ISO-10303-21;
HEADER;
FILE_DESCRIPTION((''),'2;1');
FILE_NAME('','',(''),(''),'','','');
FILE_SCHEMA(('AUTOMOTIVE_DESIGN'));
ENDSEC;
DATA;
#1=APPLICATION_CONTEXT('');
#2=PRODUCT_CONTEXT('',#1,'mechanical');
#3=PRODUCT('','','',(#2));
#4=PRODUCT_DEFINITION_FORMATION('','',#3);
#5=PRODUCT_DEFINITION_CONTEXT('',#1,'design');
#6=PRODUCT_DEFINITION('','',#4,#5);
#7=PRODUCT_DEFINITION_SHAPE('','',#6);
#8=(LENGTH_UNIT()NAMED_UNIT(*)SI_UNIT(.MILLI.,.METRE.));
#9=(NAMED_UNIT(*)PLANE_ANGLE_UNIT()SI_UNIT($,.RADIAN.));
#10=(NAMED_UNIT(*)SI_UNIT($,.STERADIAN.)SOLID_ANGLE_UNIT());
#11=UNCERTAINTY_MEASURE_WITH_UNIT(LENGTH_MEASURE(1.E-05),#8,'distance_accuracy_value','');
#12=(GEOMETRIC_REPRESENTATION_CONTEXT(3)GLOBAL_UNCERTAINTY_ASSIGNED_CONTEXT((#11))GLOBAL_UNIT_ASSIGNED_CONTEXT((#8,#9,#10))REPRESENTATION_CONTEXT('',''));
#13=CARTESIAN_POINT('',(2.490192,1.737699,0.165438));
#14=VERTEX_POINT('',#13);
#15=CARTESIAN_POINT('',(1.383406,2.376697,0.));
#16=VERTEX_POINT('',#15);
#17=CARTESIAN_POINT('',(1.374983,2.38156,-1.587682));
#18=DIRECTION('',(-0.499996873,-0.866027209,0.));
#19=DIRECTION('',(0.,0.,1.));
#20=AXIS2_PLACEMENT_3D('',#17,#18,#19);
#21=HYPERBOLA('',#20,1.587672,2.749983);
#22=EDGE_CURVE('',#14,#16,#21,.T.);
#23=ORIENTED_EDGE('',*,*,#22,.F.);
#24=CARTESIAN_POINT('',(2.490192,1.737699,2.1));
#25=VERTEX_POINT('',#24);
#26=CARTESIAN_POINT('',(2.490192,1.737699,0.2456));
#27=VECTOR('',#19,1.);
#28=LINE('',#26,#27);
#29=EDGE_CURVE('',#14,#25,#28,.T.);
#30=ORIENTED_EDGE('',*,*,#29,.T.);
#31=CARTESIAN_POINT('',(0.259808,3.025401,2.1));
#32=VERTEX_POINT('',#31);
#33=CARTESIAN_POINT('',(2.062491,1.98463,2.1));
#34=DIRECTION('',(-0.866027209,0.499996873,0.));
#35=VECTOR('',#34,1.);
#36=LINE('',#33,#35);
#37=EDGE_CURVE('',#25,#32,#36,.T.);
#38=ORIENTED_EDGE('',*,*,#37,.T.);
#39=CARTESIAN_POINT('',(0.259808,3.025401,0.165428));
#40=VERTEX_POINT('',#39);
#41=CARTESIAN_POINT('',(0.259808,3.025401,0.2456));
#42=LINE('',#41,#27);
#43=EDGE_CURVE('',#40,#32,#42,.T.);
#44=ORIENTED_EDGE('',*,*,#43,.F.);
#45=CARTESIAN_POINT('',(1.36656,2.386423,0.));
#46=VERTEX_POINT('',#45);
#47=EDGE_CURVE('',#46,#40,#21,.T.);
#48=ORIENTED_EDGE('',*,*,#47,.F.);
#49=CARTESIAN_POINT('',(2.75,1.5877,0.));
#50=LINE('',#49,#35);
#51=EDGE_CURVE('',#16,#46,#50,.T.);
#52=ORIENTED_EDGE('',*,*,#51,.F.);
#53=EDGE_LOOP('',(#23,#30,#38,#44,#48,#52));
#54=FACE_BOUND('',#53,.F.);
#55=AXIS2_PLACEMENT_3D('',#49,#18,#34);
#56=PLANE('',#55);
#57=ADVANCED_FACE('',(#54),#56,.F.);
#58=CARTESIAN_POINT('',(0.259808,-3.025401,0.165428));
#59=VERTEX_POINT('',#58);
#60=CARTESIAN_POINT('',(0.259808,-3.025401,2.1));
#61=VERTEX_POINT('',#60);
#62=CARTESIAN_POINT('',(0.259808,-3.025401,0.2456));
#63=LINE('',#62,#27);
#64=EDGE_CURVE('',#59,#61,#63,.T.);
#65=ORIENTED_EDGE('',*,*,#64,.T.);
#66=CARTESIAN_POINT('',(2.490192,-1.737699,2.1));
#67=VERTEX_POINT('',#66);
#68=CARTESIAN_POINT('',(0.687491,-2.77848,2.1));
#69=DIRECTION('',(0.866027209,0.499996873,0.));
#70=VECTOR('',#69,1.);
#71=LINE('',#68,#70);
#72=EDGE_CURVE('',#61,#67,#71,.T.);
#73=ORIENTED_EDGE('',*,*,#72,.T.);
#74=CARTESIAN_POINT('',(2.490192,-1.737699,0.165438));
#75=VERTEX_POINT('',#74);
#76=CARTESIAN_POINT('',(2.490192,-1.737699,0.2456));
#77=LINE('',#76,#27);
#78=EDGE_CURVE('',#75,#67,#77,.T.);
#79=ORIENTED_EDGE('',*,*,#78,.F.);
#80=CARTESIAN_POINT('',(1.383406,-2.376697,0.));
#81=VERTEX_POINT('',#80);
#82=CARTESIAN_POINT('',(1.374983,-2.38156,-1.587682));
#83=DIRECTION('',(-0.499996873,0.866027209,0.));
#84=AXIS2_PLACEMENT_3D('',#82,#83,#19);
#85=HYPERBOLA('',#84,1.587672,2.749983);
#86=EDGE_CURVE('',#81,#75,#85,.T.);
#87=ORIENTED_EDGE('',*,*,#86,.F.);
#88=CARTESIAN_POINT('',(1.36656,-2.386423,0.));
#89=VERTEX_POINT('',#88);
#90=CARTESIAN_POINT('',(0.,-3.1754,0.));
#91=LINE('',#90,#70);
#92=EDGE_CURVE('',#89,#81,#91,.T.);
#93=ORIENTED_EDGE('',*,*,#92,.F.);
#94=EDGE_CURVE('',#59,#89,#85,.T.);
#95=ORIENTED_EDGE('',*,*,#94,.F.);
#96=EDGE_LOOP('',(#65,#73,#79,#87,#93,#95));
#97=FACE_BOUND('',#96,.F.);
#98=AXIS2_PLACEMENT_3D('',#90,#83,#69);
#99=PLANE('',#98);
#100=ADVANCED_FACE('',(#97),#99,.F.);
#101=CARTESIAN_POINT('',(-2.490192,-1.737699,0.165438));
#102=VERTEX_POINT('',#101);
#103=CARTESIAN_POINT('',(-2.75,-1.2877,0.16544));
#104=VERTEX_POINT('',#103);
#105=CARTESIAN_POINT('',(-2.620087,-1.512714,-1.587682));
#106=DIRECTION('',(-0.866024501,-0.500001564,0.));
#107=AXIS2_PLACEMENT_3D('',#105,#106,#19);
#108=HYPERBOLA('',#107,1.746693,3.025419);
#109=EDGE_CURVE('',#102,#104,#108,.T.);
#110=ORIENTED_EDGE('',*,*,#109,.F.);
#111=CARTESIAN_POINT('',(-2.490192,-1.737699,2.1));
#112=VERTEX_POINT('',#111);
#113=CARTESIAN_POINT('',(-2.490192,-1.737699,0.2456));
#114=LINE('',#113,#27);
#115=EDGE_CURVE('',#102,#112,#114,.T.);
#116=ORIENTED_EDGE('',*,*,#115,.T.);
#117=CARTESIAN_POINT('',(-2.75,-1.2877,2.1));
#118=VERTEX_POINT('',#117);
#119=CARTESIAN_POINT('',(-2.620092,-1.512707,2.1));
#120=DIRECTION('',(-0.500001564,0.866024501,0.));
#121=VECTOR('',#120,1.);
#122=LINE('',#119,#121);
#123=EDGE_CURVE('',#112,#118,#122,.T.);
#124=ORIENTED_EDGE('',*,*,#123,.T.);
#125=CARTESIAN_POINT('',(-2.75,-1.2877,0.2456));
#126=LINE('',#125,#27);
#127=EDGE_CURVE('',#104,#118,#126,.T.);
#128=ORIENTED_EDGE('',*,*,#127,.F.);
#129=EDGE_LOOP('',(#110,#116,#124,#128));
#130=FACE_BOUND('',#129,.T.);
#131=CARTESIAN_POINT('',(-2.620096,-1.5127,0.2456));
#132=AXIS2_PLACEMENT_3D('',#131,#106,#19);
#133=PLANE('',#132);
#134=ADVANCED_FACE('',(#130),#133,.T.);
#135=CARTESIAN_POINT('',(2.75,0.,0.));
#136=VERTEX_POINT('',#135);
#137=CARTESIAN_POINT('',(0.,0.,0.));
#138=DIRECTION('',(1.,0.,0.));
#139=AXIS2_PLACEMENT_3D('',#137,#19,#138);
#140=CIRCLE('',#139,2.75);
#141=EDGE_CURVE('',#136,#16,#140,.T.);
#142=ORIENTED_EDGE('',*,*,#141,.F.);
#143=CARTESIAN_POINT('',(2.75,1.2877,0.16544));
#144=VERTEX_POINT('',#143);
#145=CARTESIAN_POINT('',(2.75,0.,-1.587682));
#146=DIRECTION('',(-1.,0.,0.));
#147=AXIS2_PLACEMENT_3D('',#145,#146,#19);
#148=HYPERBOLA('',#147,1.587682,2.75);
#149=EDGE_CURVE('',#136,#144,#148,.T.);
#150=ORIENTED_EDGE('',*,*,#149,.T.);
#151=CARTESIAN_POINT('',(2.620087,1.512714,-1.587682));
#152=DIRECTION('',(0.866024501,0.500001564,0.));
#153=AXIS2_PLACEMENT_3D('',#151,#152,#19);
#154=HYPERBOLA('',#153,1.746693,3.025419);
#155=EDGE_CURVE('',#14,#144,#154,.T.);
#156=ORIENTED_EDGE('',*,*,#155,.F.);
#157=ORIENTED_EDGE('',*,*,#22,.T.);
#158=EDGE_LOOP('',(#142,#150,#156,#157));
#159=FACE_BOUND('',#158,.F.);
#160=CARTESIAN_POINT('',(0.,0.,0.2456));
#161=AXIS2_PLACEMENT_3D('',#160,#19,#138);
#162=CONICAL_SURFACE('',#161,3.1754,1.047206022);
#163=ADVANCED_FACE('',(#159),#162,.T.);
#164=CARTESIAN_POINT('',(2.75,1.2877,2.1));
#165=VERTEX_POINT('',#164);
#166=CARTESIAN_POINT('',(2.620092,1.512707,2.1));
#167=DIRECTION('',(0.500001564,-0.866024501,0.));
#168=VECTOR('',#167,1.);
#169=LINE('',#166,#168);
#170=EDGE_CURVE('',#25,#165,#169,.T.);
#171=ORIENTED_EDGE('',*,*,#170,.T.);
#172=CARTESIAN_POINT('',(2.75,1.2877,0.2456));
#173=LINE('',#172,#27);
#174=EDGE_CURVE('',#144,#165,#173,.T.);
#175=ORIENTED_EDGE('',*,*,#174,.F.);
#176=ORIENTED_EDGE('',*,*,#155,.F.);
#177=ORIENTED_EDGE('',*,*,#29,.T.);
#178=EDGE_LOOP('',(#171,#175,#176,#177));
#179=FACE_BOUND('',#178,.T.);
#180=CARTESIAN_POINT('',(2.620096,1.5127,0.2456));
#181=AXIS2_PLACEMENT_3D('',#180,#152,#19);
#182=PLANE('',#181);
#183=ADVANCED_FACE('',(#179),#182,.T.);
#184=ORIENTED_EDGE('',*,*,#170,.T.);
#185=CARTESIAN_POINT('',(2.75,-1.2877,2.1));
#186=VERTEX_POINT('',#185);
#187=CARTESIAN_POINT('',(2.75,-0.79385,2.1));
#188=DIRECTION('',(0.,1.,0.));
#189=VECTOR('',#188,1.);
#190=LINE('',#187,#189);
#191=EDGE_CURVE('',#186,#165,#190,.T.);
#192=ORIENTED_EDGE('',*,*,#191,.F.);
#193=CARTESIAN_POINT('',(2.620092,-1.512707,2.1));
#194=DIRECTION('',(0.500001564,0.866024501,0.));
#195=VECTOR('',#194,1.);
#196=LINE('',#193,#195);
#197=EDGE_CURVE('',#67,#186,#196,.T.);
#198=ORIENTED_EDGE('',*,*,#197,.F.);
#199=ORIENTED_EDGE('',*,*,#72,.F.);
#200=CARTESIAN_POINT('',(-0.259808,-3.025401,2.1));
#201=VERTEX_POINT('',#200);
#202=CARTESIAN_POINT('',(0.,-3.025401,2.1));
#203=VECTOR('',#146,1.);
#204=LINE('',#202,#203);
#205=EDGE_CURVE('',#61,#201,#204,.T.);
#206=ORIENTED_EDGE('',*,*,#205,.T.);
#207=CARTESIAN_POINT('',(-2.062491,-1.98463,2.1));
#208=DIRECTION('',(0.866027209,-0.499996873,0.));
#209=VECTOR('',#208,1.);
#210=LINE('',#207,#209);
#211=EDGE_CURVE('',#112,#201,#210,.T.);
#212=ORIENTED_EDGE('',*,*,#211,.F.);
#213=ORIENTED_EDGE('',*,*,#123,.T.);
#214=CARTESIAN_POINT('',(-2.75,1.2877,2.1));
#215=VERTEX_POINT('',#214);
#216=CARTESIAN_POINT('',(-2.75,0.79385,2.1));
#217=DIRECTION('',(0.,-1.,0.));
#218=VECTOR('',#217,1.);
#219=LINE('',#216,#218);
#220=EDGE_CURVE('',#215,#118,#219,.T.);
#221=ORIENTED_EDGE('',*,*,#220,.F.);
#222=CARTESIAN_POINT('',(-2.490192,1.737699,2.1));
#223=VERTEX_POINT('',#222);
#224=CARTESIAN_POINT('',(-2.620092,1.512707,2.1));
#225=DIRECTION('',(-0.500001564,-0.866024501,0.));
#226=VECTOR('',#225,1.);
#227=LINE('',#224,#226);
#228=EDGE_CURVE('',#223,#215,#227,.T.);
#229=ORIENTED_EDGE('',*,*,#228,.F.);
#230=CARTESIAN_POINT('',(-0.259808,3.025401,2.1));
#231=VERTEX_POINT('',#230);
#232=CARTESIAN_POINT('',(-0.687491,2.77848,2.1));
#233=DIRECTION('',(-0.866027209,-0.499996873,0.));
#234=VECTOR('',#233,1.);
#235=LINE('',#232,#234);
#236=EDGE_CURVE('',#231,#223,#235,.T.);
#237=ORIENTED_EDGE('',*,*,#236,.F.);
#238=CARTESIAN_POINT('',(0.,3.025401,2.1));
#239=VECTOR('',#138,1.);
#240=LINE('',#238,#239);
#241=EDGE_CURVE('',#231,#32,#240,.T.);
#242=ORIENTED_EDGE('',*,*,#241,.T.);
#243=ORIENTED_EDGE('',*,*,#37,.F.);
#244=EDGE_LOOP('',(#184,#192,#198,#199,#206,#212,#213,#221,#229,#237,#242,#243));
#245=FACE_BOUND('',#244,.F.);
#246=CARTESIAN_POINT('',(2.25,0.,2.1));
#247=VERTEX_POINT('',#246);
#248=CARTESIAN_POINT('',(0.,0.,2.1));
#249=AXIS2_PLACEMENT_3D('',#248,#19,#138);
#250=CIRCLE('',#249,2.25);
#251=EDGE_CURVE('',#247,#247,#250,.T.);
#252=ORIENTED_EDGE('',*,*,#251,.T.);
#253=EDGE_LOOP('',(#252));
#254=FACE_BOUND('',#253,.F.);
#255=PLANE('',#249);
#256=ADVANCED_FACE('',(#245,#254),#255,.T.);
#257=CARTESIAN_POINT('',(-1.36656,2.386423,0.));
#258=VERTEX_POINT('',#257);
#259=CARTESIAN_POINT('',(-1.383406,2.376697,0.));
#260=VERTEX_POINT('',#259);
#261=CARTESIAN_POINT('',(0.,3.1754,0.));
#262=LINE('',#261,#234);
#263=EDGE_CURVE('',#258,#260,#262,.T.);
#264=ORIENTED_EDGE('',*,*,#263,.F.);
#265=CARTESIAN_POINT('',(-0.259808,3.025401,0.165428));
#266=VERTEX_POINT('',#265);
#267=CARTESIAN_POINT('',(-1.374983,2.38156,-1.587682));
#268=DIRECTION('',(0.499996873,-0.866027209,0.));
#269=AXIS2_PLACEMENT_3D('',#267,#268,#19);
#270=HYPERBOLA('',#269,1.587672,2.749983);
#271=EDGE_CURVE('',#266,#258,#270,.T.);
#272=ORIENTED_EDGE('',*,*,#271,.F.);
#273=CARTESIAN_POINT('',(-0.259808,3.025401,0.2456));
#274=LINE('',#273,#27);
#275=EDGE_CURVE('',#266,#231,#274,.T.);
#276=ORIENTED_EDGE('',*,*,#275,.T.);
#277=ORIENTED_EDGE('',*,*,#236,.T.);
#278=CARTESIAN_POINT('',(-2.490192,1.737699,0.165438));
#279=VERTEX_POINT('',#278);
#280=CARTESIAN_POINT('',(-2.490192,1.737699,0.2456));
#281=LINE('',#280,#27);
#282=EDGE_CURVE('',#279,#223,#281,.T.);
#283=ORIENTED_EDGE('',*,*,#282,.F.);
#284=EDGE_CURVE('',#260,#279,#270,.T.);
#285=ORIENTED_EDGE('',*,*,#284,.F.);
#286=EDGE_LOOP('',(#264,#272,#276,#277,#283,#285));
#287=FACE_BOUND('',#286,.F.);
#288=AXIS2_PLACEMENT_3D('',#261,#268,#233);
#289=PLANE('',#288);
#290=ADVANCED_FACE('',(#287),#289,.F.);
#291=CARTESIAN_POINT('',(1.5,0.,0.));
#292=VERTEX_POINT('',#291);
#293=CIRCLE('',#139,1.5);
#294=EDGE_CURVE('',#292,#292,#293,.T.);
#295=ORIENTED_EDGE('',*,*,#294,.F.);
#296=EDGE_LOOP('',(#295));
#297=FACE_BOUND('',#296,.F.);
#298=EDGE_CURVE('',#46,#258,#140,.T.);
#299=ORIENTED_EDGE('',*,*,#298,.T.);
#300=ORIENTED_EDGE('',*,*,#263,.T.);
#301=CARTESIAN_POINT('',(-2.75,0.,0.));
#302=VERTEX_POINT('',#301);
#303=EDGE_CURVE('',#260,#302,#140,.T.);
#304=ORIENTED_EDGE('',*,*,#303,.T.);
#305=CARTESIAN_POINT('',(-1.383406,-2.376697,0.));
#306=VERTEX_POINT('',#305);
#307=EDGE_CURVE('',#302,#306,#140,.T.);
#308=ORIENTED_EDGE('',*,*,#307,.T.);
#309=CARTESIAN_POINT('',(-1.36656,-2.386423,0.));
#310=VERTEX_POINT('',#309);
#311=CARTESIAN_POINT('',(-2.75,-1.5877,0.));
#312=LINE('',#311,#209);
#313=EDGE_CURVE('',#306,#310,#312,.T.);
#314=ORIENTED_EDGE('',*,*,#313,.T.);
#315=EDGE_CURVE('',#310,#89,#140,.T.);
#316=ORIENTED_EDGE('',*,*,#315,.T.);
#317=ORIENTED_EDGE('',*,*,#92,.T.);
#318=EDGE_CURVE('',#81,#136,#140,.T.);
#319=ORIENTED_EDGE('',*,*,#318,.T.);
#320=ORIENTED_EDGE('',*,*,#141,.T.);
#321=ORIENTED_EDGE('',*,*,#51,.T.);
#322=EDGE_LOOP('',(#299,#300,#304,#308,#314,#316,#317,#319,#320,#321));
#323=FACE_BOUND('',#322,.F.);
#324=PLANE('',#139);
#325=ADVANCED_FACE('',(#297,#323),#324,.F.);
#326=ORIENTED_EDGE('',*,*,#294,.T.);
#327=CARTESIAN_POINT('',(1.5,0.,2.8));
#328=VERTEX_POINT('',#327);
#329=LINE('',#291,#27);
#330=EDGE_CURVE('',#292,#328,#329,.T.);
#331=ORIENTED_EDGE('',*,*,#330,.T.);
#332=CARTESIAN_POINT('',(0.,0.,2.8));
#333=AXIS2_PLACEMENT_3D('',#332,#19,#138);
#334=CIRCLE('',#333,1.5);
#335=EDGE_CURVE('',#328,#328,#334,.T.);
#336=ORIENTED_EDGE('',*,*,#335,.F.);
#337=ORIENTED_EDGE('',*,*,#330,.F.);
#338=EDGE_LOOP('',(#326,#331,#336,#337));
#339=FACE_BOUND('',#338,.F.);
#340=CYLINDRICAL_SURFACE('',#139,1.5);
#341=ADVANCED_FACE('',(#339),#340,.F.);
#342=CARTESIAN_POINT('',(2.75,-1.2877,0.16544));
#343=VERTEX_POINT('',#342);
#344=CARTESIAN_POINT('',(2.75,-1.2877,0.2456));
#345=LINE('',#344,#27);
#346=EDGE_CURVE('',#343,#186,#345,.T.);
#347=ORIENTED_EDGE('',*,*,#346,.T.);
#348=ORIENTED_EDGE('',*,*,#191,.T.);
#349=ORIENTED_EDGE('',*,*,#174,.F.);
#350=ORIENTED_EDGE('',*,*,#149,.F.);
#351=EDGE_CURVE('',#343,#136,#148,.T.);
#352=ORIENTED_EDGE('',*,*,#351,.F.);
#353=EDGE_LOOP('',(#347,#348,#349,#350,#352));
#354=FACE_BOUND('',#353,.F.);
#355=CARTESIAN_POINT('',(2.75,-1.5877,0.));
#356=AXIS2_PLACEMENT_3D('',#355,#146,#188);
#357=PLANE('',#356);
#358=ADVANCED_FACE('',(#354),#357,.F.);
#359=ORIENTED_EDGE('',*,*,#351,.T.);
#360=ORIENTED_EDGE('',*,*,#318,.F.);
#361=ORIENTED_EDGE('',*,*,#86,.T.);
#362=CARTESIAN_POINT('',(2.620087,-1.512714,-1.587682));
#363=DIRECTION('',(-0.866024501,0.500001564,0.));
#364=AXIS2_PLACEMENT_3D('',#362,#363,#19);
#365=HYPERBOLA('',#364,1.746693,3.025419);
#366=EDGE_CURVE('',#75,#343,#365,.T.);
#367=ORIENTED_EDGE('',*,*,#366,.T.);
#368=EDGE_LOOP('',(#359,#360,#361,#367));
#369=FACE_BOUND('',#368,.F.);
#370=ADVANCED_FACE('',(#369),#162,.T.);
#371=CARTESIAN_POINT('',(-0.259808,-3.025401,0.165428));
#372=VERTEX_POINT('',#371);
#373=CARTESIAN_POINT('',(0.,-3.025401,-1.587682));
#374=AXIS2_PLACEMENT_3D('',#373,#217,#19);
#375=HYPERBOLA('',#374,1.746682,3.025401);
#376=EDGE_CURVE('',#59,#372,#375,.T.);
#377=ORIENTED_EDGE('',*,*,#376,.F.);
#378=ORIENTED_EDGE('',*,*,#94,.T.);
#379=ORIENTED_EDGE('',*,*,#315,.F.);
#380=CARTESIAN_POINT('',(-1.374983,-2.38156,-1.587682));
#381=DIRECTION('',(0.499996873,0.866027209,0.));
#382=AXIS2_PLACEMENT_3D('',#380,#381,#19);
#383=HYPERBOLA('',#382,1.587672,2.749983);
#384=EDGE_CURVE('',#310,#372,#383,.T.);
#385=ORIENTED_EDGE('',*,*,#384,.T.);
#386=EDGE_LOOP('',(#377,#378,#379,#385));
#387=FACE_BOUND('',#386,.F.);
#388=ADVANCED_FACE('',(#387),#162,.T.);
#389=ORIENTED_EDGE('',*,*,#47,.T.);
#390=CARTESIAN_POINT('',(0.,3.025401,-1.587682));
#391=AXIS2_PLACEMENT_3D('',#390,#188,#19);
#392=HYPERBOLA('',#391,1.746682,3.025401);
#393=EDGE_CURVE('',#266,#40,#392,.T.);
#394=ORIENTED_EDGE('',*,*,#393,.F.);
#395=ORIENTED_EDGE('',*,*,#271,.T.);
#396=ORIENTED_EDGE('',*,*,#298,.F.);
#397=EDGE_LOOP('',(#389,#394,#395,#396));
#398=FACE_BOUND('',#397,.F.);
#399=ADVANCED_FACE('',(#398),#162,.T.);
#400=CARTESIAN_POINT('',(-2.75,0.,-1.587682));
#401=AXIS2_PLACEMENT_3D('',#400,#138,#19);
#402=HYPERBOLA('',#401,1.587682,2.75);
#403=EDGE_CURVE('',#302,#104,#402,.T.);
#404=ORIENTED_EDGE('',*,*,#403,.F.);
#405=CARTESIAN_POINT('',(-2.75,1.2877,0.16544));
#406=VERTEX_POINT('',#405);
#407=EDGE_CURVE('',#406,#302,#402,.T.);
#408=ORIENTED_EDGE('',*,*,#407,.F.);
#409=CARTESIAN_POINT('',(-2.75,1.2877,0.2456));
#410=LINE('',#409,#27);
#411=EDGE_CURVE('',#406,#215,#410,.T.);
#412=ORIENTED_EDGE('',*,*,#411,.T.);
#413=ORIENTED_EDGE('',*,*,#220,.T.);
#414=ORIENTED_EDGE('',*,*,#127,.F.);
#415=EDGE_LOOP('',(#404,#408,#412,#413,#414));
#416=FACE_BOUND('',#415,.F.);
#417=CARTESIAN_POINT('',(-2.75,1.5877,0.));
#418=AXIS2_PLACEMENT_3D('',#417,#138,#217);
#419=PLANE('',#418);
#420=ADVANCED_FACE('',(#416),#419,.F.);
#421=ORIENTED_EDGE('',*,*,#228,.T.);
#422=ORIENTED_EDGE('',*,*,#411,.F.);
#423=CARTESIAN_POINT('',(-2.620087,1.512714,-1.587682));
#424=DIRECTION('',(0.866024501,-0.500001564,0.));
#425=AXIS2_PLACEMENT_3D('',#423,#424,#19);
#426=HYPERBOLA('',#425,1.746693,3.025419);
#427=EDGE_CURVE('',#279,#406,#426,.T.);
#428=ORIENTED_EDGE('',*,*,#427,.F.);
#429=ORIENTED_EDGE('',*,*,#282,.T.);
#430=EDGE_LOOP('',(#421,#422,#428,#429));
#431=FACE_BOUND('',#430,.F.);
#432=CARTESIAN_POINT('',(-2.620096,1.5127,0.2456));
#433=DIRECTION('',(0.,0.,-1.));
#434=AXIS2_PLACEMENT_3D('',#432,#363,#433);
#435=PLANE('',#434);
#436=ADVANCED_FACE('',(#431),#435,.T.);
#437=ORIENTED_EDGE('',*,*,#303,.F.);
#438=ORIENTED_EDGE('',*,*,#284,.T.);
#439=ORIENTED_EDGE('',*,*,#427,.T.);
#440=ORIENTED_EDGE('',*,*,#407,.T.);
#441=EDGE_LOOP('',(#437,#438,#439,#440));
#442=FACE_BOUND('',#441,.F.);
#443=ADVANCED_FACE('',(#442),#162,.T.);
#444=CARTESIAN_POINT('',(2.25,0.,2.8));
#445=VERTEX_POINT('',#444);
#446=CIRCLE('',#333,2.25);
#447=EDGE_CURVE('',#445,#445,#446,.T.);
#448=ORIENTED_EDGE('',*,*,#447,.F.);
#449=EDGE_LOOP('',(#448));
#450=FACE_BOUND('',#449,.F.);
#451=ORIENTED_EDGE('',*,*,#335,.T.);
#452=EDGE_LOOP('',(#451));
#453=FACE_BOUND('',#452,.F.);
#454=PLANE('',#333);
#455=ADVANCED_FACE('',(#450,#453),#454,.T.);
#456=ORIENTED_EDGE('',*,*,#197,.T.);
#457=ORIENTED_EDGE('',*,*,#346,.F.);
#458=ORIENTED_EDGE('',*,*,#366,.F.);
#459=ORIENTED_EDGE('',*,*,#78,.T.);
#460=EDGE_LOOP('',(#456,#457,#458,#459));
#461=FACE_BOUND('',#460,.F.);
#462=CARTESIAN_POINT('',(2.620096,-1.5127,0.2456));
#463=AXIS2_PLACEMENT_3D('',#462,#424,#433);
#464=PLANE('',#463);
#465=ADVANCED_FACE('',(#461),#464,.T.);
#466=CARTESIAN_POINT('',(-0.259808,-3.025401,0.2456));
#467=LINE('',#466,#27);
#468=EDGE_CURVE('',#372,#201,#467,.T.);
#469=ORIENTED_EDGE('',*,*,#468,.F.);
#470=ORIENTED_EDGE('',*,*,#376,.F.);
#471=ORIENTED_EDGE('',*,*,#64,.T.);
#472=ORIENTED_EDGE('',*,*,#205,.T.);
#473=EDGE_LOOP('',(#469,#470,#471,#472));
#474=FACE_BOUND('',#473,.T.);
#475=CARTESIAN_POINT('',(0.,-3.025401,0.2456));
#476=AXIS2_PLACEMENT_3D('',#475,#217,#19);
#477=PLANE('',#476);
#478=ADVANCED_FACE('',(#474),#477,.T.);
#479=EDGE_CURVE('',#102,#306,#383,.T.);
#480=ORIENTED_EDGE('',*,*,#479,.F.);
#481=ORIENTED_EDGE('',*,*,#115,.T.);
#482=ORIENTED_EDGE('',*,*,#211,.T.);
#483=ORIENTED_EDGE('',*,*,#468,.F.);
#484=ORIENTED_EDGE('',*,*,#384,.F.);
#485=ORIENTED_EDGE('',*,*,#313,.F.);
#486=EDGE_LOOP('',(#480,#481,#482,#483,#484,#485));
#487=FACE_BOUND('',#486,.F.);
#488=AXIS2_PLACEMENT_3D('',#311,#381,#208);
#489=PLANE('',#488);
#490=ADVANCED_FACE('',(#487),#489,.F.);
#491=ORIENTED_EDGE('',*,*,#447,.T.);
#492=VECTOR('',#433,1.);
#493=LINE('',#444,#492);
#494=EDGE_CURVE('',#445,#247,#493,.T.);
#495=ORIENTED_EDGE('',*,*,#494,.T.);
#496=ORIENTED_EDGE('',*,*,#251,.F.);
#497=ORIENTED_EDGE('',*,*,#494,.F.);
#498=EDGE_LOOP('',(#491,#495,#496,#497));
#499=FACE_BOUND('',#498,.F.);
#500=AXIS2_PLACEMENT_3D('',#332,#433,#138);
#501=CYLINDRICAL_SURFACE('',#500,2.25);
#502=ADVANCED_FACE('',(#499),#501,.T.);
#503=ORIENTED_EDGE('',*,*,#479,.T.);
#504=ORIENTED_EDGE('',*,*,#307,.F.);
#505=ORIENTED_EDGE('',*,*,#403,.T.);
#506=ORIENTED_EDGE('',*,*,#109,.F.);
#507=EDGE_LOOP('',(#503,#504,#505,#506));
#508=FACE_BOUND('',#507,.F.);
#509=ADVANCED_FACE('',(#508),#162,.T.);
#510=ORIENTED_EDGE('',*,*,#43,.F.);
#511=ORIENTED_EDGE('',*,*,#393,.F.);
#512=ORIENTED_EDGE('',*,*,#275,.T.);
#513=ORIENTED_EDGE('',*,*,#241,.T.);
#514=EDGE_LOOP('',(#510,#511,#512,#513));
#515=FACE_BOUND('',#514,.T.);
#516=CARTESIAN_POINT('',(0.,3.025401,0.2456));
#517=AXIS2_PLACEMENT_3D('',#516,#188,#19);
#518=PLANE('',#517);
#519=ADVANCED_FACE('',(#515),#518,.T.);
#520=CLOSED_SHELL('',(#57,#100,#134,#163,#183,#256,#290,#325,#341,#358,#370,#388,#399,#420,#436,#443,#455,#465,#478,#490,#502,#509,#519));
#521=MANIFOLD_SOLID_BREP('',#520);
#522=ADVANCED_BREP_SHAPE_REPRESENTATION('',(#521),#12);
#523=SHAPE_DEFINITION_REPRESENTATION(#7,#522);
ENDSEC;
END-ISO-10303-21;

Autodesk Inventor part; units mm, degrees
ref_plane "YZ Plane" through (0, 0, 0) normal (1, 0, 0) x (0, 1, 0)
ref_plane "XZ Plane" through (0, 0, 0) normal (0, 1, 0) x (-1, 0, 0)
ref_plane "XY Plane" through (0, 0, 0) normal (0, 0, 1) x (1, 0, 0)
sketch "スケッチ1" plane through (0, 0, 0) normal (0, 1, 0) x (-1, 0, 0)
  line L0 (-1.5, 0) -> (-1.5, 2.8)
  line L1 (-1.5, 2.8) -> (-2.25, 2.8)
  line L2 (-2.25, 2.8) -> (-2.25, 2.1)
  line L3 (-2.25, 2.1) -> (-3.1754, 2.1)
  line L4 (-3.1754, 2.1) -> (-3.1754, 0.2456)
  line L5 (-2.75, 0) -> (-1.5, 0)
  line L6 (-3.1754, 0.2456) -> (-2.75, 0)
  line L7 (0, -0.56) -> (0, 3.36) projected
  point P0 (0, 0)
  dimension "d0" = 2.75
  dimension "d1" = 3.1754
  dimension "d2" = 30
  dimension "d3" = 0.7
  dimension "d4" = 2.8
  dimension "d5" = 3
  dimension "d6" = 4.5
revolve "回転1" add sketch "スケッチ1" angle 360 about axis through (0, 0, -10) along (0, 0, 1)
sketch "スケッチ2" plane through (0, 0, 0) normal (0, 0, -1) x (-1, 0, 0)
  circle A0 centre (0, 0) radius 3.1754 projected
  line L0 (0, 3.1754) -> (2.75, 1.5877)
  line L1 (2.75, 1.5877) -> (2.75, -1.5877)
  line L2 (2.75, -1.5877) -> (0, -3.1754)
  line L3 (0, -3.1754) -> (-2.75, -1.5877)
  line L4 (-2.75, -1.5877) -> (-2.75, 1.5877)
  line L5 (-2.75, 1.5877) -> (0, 3.1754)
  point P0 (0, -3.1754)
  point P1 (0, -3.1754)
extrude "押し出し1" cut sketch "スケッチ2" against normal through all contours A0 L1 | L0 A0 | A0 L2 | L5 A0 | A0 L3 | L4 A0
chamfer "面取り1" distance 0.3 angle 45 6 edges at (0, 3.1754, 1.1728) (-2.75, 1.5877, 1.1728) (2.75, 1.5877, 1.1728) (2.75, -1.5877, 1.1728) (0, -3.1754, 1.1728) (-2.75, -1.5877, 1.1728)
thread "ねじ1" size "M3x0.5" class "6H" standard "ANSI Metric M Profile" full length
equation "\"d1\" = 1.1547 * d0"
properties part number "S3-07-3W" material "チタン"
